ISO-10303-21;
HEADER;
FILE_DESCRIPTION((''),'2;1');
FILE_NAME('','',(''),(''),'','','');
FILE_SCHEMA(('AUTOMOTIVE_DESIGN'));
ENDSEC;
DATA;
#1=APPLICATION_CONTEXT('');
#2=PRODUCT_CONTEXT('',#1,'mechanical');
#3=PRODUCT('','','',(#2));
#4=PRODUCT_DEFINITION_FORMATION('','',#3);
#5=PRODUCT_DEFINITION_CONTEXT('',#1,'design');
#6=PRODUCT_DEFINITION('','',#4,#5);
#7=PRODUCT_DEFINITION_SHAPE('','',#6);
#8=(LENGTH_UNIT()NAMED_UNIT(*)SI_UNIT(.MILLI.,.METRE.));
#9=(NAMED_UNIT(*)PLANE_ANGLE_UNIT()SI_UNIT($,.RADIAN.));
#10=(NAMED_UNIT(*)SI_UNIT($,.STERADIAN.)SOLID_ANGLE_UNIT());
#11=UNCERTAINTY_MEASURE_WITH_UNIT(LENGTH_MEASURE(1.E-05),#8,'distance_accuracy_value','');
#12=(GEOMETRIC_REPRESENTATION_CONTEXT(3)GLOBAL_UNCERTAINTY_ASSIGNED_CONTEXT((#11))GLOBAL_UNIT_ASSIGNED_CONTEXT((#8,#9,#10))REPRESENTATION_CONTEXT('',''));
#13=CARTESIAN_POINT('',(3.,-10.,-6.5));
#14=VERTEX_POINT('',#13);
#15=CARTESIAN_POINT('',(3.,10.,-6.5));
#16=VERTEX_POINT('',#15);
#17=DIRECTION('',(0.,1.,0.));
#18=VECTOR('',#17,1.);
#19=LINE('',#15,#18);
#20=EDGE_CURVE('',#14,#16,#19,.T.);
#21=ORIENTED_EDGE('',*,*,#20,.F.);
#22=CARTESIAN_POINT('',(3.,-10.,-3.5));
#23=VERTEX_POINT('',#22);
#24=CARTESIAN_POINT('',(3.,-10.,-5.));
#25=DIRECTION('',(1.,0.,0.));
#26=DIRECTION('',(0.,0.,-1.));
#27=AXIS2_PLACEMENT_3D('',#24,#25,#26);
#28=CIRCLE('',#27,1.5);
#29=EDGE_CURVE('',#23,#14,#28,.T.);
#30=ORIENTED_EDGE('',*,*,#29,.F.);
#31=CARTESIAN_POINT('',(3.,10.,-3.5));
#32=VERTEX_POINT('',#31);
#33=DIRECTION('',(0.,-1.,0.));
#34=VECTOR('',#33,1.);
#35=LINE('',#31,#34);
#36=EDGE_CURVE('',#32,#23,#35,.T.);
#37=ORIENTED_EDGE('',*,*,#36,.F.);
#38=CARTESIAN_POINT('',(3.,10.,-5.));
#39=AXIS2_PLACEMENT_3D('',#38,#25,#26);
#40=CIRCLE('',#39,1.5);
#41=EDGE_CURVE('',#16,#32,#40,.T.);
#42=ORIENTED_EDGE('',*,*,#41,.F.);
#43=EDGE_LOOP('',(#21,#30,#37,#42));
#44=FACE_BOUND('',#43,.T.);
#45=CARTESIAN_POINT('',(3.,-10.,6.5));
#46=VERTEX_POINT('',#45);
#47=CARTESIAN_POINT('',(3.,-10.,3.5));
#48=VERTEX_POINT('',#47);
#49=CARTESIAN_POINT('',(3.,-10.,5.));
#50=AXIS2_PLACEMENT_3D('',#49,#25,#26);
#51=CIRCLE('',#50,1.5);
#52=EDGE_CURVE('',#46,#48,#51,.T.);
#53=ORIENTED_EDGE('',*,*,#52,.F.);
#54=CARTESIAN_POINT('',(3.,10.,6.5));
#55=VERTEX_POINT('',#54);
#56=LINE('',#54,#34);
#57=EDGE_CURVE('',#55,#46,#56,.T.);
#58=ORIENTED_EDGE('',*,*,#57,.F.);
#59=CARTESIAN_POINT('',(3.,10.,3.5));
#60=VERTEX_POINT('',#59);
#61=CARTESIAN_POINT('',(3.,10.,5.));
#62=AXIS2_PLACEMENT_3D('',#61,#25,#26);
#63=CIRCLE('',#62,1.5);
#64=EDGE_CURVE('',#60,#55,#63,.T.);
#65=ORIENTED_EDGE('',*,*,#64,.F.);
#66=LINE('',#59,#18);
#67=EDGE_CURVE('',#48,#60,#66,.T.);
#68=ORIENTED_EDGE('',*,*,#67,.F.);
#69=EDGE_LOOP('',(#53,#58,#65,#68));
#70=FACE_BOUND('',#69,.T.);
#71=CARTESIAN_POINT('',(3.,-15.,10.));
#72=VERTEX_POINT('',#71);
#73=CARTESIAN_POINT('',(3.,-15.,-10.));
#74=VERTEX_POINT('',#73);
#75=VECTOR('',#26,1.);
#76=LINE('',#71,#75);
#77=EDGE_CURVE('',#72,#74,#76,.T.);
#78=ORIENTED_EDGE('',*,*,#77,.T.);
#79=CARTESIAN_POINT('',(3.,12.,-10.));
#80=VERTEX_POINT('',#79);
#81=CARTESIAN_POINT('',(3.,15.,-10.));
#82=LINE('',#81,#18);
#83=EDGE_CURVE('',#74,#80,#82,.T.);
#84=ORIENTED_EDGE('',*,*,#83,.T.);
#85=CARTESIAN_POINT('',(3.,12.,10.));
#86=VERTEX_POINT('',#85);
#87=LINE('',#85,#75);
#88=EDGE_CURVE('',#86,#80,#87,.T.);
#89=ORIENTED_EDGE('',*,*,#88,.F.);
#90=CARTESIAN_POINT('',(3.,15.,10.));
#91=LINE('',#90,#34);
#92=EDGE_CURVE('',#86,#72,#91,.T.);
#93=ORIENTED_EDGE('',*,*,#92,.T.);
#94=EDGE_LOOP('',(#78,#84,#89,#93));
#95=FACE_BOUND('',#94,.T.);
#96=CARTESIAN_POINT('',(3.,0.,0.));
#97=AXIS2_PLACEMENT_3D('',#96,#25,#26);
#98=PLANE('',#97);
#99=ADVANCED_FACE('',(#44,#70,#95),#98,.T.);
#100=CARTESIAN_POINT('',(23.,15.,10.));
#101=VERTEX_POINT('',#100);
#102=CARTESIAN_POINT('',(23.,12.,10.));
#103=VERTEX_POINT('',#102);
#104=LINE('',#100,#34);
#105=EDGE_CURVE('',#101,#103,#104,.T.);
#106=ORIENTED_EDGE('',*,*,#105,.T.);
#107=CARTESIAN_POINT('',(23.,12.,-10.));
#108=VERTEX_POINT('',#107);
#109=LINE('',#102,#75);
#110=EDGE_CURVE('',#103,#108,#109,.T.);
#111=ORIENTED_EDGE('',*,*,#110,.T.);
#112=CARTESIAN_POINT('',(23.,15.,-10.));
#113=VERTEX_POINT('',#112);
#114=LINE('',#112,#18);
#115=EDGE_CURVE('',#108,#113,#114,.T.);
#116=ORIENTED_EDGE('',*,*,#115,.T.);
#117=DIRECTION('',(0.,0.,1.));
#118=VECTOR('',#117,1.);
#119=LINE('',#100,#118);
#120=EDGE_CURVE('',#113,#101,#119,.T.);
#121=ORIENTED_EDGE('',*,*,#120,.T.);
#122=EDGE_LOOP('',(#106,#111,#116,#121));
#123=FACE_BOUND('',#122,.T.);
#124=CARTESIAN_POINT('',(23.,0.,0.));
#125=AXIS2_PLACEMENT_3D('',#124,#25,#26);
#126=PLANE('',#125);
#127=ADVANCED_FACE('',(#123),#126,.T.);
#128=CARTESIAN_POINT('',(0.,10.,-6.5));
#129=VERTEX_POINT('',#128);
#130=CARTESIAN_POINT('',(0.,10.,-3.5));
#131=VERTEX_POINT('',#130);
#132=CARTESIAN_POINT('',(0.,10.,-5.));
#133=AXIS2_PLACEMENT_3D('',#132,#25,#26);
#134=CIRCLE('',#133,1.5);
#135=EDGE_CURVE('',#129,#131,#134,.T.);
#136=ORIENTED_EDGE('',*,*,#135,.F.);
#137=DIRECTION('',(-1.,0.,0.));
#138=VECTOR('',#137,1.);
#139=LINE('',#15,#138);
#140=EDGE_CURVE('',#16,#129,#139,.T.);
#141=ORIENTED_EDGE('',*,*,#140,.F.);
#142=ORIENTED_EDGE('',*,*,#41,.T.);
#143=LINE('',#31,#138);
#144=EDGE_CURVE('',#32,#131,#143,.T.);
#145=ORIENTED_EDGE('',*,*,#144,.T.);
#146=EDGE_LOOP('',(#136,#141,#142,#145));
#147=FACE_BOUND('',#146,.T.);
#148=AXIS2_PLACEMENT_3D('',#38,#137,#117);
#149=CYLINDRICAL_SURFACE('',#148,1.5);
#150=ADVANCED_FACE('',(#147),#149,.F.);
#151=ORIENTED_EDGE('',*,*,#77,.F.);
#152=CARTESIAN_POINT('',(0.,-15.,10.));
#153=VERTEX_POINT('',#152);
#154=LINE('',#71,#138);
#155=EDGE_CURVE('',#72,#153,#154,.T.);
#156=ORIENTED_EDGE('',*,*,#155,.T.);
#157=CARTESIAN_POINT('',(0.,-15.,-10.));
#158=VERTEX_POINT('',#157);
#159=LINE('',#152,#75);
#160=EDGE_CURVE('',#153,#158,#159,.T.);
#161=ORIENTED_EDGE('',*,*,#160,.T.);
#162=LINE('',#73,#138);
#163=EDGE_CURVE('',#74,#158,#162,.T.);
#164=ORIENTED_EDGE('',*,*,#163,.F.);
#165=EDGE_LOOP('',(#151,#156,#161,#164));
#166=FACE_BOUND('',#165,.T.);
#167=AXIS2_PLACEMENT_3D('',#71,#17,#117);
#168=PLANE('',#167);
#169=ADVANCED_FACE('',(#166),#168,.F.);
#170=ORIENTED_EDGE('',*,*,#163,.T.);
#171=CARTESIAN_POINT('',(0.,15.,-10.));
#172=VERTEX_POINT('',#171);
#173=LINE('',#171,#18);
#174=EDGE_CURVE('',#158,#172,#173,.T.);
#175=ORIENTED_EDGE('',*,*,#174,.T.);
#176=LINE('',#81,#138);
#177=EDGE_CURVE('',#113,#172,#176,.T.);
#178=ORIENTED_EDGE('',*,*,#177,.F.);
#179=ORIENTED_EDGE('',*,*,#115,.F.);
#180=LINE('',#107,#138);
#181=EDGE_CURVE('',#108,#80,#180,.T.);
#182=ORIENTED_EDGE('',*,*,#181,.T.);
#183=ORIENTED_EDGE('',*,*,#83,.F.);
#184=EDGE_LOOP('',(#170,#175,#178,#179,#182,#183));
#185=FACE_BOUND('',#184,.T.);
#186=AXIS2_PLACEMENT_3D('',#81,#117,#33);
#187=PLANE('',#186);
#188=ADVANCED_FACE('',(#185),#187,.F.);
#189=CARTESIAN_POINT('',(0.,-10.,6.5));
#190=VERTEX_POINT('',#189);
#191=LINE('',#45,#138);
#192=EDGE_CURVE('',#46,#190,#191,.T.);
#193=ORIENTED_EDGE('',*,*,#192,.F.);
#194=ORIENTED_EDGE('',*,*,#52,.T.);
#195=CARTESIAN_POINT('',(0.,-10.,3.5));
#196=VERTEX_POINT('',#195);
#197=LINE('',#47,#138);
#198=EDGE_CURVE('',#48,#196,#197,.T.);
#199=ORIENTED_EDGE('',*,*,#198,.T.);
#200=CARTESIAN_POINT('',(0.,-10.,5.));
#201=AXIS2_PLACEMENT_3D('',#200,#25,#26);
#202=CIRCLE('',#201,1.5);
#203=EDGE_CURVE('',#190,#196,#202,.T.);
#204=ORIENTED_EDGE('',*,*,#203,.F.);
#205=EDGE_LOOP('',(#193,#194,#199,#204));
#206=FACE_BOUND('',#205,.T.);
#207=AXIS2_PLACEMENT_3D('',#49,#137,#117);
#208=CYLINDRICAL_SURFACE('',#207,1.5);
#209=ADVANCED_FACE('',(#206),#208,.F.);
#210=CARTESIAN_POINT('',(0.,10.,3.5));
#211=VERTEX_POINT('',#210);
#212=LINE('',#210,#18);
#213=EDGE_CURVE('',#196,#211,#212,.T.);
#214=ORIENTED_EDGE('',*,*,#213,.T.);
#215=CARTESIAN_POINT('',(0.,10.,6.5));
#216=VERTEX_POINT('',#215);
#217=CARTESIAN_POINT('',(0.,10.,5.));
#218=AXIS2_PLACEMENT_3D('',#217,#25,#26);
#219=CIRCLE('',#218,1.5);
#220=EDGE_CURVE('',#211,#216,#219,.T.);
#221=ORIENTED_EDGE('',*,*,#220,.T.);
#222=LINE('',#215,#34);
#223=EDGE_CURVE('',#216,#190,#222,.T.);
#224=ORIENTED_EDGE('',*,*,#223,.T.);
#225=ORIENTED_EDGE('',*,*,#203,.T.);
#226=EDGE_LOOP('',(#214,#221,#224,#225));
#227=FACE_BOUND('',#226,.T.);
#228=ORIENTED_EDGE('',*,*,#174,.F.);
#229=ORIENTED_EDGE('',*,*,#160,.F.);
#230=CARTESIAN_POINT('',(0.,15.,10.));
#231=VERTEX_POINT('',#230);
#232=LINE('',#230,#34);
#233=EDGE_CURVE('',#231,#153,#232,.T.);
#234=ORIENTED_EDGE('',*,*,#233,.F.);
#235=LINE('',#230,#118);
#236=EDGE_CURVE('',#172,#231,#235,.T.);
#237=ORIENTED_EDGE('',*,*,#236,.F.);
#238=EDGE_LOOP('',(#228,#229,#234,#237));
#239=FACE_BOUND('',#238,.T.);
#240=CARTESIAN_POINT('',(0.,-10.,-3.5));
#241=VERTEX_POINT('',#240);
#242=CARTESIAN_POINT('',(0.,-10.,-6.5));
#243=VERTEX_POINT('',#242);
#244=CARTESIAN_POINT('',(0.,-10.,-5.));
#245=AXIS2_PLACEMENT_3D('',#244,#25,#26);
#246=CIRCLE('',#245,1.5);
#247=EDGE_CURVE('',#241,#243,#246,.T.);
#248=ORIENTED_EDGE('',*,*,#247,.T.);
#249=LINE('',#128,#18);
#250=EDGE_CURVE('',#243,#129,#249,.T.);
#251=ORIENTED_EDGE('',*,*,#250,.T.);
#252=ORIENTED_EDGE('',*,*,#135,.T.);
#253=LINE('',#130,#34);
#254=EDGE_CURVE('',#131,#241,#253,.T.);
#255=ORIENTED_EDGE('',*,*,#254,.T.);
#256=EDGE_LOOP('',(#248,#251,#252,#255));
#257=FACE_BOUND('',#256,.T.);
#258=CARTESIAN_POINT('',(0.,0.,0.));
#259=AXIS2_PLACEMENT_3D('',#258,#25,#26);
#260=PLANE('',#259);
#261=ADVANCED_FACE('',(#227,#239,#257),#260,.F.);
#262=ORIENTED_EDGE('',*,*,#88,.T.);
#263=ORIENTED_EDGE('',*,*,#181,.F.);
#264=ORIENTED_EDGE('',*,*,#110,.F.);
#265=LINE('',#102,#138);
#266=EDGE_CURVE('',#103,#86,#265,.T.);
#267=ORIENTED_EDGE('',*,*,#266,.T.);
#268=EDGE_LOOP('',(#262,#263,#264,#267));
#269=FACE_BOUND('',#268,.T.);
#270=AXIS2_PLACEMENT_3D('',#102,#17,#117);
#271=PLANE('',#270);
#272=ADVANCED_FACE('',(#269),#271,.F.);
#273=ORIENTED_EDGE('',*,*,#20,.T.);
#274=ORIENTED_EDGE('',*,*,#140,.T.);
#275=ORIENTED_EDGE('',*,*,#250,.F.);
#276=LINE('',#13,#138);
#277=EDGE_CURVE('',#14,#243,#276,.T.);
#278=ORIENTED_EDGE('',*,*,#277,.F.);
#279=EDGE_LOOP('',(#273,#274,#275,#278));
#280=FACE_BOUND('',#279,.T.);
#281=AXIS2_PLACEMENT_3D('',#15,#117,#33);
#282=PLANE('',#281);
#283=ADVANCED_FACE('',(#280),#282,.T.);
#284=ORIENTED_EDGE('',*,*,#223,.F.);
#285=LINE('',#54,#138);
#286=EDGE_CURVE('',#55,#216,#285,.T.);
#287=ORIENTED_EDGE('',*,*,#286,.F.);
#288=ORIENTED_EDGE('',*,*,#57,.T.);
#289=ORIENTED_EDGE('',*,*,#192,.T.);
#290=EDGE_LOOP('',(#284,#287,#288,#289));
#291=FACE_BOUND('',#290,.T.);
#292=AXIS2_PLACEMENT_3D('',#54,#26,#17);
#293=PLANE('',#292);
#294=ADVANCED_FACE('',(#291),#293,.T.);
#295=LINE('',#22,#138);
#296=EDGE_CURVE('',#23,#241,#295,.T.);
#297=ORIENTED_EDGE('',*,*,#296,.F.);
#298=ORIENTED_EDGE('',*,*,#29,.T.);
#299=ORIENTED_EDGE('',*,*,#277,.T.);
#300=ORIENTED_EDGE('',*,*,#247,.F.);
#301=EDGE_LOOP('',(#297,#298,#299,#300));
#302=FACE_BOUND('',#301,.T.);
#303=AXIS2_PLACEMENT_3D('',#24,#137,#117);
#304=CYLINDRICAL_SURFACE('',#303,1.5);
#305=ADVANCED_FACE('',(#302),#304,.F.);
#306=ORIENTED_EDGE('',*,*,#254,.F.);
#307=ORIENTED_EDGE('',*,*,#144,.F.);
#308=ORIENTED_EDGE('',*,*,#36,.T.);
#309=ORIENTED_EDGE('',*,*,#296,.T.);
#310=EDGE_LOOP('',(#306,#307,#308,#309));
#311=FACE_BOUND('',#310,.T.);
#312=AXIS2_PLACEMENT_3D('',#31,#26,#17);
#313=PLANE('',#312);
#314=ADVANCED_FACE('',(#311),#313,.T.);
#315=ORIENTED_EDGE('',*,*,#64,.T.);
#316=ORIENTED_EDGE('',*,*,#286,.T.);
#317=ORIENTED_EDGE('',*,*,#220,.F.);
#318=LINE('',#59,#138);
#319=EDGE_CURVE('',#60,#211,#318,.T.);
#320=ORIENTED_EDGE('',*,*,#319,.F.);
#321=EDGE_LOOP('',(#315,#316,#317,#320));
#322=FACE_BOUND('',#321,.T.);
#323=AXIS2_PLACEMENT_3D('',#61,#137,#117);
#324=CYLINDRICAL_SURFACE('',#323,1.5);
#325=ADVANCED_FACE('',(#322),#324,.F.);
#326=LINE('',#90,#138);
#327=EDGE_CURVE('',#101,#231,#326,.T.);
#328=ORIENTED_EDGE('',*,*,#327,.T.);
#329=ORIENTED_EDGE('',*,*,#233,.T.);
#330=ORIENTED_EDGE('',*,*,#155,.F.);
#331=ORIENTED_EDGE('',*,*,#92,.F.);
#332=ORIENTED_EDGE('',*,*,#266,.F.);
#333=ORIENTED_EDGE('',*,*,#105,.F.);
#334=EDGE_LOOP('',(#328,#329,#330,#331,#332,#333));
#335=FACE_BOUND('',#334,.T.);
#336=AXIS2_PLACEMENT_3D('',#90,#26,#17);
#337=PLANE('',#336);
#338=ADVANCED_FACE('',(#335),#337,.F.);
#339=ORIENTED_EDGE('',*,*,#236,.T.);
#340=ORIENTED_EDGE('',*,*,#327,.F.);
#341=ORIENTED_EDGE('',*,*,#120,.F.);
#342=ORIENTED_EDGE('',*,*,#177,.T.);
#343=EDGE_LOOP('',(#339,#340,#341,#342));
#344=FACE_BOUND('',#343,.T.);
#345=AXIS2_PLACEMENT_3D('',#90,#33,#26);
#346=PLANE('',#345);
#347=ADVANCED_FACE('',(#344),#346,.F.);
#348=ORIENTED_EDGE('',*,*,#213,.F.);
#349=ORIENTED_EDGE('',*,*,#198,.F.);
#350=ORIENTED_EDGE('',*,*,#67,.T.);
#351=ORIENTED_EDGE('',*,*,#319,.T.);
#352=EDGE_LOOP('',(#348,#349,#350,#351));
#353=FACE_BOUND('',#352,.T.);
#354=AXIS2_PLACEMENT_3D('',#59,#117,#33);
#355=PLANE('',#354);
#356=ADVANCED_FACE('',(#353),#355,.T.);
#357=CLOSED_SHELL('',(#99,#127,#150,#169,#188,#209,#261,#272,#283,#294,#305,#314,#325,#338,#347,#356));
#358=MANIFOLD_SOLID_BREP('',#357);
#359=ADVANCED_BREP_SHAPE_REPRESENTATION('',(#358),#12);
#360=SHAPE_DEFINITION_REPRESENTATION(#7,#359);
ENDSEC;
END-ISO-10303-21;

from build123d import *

# Parameters (mm, degrees)
SKETCH1_W           = 20
SKETCH1_H           = 30
BOSS_EXTRUDE1_DEPTH = 3
SKETCH2_W           = 20
SKETCH2_H           = 3
BOSS_EXTRUDE2_DEPTH = 20


with BuildPart() as part:
    # Sketch1 → Boss-Extrude1 (new body)
    with BuildSketch(Plane(origin=(0, 0, 0), x_dir=(0, 0, -1), z_dir=(1, 0, 0))):
        Rectangle(SKETCH1_W, SKETCH1_H)
        with BuildLine():
            Line((-3.5, 10), (-3.5, -10))
            ThreePointArc((-3.5, -10), (-5, -11.5), (-6.5, -10))
            Line((-6.5, -10), (-6.5, 10))
            ThreePointArc((-6.5, 10), (-5, 11.5), (-3.5, 10))
        make_face(mode=Mode.SUBTRACT)
        with BuildLine():
            Line((6.5, 10), (6.5, -10))
            ThreePointArc((6.5, -10), (5, -11.5), (3.5, -10))
            Line((3.5, -10), (3.5, 10))
            ThreePointArc((3.5, 10), (5, 11.5), (6.5, 10))
        make_face(mode=Mode.SUBTRACT)
    extrude(amount=BOSS_EXTRUDE1_DEPTH)

    # Sketch2 → Boss-Extrude2 (add)
    with BuildSketch(Plane(origin=(3, 0, 0), x_dir=(0, 0, -1), z_dir=(1, 0, 0))):
        with Locations((0, 13.5)):
            Rectangle(SKETCH2_W, SKETCH2_H)
    extrude(amount=BOSS_EXTRUDE2_DEPTH)


solid = part.part
